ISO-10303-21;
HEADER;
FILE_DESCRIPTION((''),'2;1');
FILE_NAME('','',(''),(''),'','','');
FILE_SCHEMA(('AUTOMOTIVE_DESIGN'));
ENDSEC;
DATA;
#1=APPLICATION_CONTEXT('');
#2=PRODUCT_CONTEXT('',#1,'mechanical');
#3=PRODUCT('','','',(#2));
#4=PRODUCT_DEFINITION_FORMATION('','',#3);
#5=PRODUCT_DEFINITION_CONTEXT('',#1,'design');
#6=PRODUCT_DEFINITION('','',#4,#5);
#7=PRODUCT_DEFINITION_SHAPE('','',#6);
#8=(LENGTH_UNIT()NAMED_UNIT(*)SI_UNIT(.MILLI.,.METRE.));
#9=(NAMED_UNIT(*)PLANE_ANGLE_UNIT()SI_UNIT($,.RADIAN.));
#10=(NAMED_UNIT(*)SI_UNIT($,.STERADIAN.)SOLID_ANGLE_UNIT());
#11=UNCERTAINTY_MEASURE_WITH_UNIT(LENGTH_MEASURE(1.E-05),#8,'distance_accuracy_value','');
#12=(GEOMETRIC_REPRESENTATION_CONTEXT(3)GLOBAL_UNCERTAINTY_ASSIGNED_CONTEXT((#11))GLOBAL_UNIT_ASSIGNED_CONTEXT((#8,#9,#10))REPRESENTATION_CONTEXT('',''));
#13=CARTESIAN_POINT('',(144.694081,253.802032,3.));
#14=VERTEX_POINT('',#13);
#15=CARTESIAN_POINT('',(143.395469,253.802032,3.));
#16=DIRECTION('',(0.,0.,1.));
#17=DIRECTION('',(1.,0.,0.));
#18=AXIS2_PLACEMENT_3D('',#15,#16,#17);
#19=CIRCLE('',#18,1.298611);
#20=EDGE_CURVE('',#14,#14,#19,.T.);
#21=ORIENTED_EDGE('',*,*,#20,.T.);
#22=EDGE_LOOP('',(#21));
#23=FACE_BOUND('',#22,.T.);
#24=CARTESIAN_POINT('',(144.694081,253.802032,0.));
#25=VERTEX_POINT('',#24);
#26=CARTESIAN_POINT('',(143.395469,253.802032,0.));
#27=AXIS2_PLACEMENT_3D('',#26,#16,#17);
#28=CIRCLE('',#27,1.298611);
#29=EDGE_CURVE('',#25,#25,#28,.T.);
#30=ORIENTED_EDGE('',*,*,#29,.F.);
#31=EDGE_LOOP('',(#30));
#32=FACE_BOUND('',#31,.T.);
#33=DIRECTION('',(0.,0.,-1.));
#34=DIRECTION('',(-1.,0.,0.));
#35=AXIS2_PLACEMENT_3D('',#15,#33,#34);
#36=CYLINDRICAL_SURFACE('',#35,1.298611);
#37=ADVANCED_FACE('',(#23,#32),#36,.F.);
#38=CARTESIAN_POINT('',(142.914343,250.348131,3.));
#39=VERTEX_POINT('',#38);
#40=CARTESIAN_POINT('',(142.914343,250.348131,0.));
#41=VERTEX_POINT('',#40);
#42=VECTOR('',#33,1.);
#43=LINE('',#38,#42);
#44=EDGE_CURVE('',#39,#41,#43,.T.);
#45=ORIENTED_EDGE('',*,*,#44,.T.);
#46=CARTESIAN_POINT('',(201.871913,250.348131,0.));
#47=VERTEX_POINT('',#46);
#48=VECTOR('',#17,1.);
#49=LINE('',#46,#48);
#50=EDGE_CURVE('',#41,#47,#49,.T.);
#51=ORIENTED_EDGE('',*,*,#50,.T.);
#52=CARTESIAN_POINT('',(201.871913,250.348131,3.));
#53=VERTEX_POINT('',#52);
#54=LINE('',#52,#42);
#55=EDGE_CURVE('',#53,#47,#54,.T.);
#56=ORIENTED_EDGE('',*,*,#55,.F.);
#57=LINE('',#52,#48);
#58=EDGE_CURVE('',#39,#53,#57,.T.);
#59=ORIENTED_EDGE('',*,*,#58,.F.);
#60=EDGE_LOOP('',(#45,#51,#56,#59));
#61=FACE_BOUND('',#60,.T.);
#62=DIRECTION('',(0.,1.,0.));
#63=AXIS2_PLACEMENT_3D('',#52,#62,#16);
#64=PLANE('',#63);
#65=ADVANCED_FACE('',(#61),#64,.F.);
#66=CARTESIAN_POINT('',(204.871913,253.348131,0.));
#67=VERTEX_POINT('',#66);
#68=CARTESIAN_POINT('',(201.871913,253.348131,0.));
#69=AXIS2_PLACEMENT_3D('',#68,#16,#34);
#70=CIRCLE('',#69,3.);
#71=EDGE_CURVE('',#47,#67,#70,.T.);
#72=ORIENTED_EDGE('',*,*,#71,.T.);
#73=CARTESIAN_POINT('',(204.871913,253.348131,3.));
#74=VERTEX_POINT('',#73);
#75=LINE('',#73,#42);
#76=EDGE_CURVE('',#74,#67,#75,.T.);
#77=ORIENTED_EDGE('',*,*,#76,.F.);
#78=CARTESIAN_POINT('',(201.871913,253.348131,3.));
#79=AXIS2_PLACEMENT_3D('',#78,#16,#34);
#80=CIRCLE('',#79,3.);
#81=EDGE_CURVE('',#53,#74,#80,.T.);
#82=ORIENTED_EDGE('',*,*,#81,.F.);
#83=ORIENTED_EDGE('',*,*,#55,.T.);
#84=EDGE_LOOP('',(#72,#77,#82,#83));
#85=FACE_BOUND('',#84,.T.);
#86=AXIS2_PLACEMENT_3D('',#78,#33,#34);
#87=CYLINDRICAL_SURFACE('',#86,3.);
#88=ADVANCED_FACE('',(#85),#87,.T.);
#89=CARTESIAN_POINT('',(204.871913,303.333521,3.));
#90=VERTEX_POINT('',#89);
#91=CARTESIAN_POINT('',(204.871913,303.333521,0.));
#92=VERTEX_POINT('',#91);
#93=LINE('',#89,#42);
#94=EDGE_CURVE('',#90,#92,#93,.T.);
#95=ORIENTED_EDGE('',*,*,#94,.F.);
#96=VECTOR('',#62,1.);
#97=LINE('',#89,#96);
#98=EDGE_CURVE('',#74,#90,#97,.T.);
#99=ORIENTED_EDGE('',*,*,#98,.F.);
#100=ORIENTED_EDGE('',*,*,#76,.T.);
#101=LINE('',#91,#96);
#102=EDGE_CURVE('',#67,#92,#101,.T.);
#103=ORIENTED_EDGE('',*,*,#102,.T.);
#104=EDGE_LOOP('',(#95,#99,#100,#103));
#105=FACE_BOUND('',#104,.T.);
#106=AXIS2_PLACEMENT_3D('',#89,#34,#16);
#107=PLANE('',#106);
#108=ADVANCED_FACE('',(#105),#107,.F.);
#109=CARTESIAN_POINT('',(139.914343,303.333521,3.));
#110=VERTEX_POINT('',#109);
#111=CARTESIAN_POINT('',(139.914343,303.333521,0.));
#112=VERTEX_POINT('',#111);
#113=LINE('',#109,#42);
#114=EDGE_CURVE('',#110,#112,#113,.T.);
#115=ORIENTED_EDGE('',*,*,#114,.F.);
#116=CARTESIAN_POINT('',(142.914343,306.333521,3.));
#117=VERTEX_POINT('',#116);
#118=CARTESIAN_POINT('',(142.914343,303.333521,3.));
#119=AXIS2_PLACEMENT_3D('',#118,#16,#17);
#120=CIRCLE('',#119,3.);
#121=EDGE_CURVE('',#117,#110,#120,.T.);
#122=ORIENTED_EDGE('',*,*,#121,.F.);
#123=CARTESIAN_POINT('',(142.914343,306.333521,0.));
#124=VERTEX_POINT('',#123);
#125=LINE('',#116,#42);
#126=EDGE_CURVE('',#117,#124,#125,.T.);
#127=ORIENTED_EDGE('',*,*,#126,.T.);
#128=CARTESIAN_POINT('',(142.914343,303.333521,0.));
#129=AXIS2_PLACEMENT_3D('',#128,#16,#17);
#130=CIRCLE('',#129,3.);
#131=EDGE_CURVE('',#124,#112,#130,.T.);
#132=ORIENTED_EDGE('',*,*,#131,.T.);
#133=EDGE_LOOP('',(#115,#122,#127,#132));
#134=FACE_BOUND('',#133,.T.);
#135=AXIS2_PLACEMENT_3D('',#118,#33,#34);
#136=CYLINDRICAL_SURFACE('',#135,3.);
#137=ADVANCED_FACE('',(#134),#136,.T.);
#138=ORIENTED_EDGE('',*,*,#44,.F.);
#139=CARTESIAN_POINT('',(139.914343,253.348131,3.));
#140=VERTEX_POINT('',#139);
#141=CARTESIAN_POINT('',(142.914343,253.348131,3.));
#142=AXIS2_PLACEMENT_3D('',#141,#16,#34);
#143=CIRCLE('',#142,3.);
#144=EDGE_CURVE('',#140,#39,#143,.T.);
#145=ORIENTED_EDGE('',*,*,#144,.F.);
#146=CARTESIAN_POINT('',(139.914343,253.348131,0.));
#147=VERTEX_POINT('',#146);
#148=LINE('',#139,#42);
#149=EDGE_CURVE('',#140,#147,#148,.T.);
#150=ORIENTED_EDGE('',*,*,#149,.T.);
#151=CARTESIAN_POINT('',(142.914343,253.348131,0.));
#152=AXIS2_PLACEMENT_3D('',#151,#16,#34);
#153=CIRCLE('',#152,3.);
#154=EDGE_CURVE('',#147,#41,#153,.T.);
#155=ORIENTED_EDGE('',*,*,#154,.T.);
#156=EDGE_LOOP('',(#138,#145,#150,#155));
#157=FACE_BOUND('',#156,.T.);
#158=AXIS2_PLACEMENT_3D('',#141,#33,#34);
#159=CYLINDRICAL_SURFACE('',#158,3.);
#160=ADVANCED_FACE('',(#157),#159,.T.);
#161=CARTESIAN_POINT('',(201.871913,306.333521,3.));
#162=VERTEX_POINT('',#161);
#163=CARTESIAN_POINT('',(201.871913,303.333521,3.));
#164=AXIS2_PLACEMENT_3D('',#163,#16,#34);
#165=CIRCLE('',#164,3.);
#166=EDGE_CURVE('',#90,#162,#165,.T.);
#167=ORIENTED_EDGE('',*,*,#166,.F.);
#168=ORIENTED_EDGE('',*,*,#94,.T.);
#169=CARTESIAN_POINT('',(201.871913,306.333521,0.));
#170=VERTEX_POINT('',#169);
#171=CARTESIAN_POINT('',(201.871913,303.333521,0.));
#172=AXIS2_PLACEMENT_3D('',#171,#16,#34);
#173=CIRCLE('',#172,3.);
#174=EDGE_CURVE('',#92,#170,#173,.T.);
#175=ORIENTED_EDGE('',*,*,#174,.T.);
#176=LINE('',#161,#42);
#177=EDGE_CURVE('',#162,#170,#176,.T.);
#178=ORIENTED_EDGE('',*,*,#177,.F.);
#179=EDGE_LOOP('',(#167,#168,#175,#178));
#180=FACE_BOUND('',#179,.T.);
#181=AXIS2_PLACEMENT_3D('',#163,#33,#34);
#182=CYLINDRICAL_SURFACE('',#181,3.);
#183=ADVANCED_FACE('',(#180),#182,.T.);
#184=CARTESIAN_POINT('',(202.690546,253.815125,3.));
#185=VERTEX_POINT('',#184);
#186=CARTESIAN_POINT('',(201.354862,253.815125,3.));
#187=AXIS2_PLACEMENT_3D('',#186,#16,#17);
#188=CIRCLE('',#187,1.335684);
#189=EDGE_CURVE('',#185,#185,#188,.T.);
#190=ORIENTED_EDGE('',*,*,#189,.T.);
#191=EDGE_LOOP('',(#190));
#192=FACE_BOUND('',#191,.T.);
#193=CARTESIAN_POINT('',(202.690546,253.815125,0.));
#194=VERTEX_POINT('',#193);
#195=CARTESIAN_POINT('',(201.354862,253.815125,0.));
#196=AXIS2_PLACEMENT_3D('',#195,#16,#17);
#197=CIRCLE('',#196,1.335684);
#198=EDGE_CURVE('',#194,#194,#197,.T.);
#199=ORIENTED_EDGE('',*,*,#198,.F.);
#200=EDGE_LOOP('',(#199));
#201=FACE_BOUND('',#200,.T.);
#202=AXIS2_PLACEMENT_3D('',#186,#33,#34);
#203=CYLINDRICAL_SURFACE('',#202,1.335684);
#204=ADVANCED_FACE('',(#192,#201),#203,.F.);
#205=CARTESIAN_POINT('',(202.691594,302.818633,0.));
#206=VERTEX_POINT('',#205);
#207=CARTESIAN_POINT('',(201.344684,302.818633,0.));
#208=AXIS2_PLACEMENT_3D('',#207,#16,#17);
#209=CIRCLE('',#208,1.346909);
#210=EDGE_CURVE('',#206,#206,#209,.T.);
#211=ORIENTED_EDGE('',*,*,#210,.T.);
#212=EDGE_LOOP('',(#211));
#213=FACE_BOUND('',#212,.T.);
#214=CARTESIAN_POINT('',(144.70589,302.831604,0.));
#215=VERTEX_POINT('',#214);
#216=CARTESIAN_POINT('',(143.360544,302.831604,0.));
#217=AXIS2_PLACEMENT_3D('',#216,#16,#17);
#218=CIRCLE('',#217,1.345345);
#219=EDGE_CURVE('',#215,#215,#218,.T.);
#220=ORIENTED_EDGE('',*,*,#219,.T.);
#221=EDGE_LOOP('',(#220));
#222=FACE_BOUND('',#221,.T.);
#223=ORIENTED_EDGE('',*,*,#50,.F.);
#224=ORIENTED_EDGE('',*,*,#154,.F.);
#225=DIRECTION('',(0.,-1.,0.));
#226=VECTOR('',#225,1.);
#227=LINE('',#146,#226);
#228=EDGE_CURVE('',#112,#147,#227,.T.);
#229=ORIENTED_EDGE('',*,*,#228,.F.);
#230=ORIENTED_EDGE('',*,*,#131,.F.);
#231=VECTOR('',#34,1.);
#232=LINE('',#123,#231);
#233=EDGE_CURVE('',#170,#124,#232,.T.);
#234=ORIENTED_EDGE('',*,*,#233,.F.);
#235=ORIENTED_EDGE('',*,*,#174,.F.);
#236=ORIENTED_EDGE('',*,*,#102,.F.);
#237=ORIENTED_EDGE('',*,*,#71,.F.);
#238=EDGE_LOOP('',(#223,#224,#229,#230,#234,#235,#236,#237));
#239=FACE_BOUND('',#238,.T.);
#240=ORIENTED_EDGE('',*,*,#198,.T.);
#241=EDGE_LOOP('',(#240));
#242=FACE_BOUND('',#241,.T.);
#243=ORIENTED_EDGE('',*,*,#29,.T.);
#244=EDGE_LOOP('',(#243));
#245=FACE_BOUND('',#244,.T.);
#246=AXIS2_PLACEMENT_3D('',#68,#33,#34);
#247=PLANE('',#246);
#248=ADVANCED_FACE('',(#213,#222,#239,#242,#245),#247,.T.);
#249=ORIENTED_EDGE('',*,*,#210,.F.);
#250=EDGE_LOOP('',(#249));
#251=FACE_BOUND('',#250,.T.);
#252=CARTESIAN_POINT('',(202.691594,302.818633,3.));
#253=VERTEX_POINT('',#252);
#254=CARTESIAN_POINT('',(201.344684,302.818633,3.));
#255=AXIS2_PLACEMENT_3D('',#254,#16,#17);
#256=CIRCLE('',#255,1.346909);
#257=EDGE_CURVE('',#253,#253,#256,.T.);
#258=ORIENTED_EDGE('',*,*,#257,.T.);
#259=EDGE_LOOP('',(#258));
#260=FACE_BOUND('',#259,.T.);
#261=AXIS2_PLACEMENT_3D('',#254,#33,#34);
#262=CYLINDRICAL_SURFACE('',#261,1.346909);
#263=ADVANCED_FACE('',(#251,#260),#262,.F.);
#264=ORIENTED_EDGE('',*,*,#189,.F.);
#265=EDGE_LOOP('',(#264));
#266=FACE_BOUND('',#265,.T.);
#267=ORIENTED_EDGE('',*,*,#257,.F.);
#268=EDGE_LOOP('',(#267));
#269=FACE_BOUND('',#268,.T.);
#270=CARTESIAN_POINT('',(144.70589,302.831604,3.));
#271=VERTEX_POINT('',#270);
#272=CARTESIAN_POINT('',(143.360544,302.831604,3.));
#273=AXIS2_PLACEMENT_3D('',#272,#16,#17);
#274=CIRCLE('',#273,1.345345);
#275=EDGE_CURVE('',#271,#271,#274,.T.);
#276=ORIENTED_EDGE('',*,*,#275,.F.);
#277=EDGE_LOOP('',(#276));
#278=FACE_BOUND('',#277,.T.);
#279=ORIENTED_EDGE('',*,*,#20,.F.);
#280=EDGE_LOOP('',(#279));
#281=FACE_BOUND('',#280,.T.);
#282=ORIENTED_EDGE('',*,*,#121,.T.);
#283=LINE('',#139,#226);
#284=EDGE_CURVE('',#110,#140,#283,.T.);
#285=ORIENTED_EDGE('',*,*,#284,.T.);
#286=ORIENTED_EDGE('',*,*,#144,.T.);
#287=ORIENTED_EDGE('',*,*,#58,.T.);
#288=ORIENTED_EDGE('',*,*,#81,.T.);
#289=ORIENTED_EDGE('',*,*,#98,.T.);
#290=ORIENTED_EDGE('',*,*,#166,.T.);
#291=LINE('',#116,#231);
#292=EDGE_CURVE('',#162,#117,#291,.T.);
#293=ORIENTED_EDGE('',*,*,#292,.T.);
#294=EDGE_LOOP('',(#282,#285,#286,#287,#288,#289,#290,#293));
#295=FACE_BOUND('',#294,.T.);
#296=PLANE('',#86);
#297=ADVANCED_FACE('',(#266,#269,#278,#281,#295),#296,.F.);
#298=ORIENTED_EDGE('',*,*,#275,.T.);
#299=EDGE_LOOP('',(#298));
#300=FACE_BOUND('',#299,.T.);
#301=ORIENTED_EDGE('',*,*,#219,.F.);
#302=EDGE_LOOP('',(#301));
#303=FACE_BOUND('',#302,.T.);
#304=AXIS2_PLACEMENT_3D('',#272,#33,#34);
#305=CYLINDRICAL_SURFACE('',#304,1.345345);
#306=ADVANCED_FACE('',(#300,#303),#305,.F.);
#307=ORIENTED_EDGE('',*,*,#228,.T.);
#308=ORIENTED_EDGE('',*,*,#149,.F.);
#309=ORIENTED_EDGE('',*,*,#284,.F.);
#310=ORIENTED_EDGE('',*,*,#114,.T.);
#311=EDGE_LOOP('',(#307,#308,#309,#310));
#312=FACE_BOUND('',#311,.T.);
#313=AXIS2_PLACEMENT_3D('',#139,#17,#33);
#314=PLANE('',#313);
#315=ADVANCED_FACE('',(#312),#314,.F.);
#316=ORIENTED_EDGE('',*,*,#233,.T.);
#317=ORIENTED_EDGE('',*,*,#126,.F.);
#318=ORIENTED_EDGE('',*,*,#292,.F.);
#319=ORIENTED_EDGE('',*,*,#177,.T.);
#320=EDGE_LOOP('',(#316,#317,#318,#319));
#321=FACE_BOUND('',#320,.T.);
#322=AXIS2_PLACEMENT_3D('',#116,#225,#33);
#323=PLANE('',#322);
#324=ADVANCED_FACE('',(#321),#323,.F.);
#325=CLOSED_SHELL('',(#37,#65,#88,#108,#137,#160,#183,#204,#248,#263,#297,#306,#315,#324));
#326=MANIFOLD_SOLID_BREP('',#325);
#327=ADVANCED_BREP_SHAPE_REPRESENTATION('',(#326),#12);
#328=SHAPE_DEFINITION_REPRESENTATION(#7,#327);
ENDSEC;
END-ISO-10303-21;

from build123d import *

# Parameters (mm, degrees)
ESQUISSE1_R        = 1.345345221
ESQUISSE1_R_2      = 1.346909221
ESQUISSE1_R_3      = 1.298611316
ESQUISSE1_R_4      = 1.335683761
BOSS_EXTRU_1_DEPTH = 3


with BuildPart() as part:
    # Esquisse1 → Boss.-Extru.1 (new body)
    with BuildSketch(Plane.XY):
        with BuildLine():
            Line((142.914343154, 306.333520822), (201.871913252, 306.333520822))
            ThreePointArc((201.871913252, 306.333520822), (203.993233595, 305.454841166), (204.871913252, 303.333520822))
            Line((204.871913252, 303.333520822), (204.871913252, 253.348131253))
            ThreePointArc((204.871913252, 253.348131253), (203.993233595, 251.22681091), (201.871913252, 250.348131253))
            Line((201.871913252, 250.348131253), (142.914343154, 250.348131253))
            ThreePointArc((142.914343154, 250.348131253), (140.793022811, 251.22681091), (139.914343154, 253.348131253))
            Line((139.914343154, 253.348131253), (139.914343154, 303.333520822))
            ThreePointArc((139.914343154, 303.333520822), (140.793022811, 305.454841166), (142.914343154, 306.333520822))
        make_face()
        with Locations((143.360544481, 302.831604494)):
            Circle(ESQUISSE1_R, mode=Mode.SUBTRACT)
        with Locations((201.344684378, 302.818633302)):
            Circle(ESQUISSE1_R_2, mode=Mode.SUBTRACT)
        with Locations((143.395469299, 253.802031827)):
            Circle(ESQUISSE1_R_3, mode=Mode.SUBTRACT)
        with Locations((201.354862046, 253.815125268)):
            Circle(ESQUISSE1_R_4, mode=Mode.SUBTRACT)
    extrude(amount=BOSS_EXTRU_1_DEPTH)


solid = part.part
